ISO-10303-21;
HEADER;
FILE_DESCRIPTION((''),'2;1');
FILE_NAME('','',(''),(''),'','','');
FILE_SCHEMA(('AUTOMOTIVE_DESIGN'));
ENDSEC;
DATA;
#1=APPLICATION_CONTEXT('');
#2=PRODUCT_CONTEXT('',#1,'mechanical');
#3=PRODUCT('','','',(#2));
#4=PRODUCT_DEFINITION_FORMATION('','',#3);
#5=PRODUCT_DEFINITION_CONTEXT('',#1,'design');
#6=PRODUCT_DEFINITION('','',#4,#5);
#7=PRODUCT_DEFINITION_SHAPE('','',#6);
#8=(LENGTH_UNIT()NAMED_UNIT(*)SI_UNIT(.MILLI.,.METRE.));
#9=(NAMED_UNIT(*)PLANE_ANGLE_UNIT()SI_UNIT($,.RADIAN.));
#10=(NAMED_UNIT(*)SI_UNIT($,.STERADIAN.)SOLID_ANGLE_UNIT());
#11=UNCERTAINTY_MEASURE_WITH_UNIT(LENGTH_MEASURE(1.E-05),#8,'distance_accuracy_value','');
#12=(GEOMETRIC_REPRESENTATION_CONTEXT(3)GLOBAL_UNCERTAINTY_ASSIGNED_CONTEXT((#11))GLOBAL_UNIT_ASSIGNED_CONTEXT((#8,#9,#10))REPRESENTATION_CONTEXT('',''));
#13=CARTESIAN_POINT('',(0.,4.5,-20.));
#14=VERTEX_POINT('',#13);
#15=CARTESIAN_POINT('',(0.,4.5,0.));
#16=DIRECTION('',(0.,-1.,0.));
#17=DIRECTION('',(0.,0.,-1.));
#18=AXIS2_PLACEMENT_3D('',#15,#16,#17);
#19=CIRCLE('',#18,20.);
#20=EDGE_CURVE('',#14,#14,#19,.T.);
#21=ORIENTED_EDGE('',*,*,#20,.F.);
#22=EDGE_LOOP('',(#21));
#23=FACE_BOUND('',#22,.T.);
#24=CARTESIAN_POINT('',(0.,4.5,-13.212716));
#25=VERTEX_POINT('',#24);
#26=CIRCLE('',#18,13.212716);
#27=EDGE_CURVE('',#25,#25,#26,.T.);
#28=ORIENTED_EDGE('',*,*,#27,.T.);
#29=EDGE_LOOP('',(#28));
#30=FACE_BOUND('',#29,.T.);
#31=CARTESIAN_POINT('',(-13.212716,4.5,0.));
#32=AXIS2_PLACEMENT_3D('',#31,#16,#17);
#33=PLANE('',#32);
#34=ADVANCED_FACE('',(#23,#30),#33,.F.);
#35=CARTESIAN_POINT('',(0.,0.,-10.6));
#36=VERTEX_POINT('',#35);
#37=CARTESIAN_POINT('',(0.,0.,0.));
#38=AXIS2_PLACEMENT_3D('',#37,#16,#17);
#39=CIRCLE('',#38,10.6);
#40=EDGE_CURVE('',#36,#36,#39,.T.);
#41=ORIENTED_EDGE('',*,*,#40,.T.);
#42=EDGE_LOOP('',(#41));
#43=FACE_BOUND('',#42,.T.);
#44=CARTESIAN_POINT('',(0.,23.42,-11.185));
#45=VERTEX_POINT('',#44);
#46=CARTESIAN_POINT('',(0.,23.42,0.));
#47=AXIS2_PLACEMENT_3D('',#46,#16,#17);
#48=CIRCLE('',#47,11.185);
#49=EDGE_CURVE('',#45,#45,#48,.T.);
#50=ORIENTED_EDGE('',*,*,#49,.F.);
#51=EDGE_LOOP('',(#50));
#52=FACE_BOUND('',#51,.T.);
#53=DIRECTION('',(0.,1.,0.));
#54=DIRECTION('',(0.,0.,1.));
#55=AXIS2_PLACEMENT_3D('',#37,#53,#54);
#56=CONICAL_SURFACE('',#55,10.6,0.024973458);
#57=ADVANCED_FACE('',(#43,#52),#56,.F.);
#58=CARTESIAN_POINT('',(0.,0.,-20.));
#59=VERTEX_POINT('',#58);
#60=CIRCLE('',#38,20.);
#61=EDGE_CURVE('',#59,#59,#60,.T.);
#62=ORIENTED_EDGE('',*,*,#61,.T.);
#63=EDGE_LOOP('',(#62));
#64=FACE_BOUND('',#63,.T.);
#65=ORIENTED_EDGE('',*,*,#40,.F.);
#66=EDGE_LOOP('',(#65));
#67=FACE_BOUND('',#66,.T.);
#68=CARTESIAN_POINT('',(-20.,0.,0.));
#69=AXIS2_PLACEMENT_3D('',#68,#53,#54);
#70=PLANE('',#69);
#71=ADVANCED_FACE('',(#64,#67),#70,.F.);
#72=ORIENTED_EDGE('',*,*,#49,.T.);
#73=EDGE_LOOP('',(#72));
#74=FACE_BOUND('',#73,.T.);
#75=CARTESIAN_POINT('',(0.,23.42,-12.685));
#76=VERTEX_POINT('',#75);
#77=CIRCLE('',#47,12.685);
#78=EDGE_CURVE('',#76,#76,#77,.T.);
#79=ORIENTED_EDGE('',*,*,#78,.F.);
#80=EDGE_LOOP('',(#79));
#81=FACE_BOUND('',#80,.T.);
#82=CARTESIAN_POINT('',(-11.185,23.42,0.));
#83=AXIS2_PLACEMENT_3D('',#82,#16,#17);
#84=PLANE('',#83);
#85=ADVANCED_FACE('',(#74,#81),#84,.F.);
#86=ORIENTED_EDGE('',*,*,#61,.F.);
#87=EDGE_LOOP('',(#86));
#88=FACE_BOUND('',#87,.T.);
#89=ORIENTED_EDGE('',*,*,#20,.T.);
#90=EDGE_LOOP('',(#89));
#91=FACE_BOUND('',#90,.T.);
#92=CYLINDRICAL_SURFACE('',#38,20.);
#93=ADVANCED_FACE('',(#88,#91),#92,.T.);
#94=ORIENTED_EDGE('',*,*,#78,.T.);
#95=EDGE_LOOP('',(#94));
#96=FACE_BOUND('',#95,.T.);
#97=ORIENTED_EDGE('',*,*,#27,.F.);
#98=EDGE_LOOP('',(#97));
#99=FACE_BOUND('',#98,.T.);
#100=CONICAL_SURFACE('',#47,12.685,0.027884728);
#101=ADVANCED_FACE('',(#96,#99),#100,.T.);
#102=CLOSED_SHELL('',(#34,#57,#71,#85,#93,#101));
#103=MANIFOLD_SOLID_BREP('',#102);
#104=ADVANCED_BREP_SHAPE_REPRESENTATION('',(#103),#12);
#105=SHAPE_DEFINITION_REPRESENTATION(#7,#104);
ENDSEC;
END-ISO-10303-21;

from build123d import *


with BuildPart() as part:
    # Sketch1 → Revolve1 (revolve)
    with BuildSketch(Plane.XY):
        Polygon((-10.6, 0), (-11.185, 23.42), (-12.685, 23.42), (-13.212715846, 4.5), (-20, 4.5), (-20, 0), (-12.1, 0), align=None)
    revolve(axis=Axis((0, 0, 0), (0, 1, 0)))


solid = part.part
